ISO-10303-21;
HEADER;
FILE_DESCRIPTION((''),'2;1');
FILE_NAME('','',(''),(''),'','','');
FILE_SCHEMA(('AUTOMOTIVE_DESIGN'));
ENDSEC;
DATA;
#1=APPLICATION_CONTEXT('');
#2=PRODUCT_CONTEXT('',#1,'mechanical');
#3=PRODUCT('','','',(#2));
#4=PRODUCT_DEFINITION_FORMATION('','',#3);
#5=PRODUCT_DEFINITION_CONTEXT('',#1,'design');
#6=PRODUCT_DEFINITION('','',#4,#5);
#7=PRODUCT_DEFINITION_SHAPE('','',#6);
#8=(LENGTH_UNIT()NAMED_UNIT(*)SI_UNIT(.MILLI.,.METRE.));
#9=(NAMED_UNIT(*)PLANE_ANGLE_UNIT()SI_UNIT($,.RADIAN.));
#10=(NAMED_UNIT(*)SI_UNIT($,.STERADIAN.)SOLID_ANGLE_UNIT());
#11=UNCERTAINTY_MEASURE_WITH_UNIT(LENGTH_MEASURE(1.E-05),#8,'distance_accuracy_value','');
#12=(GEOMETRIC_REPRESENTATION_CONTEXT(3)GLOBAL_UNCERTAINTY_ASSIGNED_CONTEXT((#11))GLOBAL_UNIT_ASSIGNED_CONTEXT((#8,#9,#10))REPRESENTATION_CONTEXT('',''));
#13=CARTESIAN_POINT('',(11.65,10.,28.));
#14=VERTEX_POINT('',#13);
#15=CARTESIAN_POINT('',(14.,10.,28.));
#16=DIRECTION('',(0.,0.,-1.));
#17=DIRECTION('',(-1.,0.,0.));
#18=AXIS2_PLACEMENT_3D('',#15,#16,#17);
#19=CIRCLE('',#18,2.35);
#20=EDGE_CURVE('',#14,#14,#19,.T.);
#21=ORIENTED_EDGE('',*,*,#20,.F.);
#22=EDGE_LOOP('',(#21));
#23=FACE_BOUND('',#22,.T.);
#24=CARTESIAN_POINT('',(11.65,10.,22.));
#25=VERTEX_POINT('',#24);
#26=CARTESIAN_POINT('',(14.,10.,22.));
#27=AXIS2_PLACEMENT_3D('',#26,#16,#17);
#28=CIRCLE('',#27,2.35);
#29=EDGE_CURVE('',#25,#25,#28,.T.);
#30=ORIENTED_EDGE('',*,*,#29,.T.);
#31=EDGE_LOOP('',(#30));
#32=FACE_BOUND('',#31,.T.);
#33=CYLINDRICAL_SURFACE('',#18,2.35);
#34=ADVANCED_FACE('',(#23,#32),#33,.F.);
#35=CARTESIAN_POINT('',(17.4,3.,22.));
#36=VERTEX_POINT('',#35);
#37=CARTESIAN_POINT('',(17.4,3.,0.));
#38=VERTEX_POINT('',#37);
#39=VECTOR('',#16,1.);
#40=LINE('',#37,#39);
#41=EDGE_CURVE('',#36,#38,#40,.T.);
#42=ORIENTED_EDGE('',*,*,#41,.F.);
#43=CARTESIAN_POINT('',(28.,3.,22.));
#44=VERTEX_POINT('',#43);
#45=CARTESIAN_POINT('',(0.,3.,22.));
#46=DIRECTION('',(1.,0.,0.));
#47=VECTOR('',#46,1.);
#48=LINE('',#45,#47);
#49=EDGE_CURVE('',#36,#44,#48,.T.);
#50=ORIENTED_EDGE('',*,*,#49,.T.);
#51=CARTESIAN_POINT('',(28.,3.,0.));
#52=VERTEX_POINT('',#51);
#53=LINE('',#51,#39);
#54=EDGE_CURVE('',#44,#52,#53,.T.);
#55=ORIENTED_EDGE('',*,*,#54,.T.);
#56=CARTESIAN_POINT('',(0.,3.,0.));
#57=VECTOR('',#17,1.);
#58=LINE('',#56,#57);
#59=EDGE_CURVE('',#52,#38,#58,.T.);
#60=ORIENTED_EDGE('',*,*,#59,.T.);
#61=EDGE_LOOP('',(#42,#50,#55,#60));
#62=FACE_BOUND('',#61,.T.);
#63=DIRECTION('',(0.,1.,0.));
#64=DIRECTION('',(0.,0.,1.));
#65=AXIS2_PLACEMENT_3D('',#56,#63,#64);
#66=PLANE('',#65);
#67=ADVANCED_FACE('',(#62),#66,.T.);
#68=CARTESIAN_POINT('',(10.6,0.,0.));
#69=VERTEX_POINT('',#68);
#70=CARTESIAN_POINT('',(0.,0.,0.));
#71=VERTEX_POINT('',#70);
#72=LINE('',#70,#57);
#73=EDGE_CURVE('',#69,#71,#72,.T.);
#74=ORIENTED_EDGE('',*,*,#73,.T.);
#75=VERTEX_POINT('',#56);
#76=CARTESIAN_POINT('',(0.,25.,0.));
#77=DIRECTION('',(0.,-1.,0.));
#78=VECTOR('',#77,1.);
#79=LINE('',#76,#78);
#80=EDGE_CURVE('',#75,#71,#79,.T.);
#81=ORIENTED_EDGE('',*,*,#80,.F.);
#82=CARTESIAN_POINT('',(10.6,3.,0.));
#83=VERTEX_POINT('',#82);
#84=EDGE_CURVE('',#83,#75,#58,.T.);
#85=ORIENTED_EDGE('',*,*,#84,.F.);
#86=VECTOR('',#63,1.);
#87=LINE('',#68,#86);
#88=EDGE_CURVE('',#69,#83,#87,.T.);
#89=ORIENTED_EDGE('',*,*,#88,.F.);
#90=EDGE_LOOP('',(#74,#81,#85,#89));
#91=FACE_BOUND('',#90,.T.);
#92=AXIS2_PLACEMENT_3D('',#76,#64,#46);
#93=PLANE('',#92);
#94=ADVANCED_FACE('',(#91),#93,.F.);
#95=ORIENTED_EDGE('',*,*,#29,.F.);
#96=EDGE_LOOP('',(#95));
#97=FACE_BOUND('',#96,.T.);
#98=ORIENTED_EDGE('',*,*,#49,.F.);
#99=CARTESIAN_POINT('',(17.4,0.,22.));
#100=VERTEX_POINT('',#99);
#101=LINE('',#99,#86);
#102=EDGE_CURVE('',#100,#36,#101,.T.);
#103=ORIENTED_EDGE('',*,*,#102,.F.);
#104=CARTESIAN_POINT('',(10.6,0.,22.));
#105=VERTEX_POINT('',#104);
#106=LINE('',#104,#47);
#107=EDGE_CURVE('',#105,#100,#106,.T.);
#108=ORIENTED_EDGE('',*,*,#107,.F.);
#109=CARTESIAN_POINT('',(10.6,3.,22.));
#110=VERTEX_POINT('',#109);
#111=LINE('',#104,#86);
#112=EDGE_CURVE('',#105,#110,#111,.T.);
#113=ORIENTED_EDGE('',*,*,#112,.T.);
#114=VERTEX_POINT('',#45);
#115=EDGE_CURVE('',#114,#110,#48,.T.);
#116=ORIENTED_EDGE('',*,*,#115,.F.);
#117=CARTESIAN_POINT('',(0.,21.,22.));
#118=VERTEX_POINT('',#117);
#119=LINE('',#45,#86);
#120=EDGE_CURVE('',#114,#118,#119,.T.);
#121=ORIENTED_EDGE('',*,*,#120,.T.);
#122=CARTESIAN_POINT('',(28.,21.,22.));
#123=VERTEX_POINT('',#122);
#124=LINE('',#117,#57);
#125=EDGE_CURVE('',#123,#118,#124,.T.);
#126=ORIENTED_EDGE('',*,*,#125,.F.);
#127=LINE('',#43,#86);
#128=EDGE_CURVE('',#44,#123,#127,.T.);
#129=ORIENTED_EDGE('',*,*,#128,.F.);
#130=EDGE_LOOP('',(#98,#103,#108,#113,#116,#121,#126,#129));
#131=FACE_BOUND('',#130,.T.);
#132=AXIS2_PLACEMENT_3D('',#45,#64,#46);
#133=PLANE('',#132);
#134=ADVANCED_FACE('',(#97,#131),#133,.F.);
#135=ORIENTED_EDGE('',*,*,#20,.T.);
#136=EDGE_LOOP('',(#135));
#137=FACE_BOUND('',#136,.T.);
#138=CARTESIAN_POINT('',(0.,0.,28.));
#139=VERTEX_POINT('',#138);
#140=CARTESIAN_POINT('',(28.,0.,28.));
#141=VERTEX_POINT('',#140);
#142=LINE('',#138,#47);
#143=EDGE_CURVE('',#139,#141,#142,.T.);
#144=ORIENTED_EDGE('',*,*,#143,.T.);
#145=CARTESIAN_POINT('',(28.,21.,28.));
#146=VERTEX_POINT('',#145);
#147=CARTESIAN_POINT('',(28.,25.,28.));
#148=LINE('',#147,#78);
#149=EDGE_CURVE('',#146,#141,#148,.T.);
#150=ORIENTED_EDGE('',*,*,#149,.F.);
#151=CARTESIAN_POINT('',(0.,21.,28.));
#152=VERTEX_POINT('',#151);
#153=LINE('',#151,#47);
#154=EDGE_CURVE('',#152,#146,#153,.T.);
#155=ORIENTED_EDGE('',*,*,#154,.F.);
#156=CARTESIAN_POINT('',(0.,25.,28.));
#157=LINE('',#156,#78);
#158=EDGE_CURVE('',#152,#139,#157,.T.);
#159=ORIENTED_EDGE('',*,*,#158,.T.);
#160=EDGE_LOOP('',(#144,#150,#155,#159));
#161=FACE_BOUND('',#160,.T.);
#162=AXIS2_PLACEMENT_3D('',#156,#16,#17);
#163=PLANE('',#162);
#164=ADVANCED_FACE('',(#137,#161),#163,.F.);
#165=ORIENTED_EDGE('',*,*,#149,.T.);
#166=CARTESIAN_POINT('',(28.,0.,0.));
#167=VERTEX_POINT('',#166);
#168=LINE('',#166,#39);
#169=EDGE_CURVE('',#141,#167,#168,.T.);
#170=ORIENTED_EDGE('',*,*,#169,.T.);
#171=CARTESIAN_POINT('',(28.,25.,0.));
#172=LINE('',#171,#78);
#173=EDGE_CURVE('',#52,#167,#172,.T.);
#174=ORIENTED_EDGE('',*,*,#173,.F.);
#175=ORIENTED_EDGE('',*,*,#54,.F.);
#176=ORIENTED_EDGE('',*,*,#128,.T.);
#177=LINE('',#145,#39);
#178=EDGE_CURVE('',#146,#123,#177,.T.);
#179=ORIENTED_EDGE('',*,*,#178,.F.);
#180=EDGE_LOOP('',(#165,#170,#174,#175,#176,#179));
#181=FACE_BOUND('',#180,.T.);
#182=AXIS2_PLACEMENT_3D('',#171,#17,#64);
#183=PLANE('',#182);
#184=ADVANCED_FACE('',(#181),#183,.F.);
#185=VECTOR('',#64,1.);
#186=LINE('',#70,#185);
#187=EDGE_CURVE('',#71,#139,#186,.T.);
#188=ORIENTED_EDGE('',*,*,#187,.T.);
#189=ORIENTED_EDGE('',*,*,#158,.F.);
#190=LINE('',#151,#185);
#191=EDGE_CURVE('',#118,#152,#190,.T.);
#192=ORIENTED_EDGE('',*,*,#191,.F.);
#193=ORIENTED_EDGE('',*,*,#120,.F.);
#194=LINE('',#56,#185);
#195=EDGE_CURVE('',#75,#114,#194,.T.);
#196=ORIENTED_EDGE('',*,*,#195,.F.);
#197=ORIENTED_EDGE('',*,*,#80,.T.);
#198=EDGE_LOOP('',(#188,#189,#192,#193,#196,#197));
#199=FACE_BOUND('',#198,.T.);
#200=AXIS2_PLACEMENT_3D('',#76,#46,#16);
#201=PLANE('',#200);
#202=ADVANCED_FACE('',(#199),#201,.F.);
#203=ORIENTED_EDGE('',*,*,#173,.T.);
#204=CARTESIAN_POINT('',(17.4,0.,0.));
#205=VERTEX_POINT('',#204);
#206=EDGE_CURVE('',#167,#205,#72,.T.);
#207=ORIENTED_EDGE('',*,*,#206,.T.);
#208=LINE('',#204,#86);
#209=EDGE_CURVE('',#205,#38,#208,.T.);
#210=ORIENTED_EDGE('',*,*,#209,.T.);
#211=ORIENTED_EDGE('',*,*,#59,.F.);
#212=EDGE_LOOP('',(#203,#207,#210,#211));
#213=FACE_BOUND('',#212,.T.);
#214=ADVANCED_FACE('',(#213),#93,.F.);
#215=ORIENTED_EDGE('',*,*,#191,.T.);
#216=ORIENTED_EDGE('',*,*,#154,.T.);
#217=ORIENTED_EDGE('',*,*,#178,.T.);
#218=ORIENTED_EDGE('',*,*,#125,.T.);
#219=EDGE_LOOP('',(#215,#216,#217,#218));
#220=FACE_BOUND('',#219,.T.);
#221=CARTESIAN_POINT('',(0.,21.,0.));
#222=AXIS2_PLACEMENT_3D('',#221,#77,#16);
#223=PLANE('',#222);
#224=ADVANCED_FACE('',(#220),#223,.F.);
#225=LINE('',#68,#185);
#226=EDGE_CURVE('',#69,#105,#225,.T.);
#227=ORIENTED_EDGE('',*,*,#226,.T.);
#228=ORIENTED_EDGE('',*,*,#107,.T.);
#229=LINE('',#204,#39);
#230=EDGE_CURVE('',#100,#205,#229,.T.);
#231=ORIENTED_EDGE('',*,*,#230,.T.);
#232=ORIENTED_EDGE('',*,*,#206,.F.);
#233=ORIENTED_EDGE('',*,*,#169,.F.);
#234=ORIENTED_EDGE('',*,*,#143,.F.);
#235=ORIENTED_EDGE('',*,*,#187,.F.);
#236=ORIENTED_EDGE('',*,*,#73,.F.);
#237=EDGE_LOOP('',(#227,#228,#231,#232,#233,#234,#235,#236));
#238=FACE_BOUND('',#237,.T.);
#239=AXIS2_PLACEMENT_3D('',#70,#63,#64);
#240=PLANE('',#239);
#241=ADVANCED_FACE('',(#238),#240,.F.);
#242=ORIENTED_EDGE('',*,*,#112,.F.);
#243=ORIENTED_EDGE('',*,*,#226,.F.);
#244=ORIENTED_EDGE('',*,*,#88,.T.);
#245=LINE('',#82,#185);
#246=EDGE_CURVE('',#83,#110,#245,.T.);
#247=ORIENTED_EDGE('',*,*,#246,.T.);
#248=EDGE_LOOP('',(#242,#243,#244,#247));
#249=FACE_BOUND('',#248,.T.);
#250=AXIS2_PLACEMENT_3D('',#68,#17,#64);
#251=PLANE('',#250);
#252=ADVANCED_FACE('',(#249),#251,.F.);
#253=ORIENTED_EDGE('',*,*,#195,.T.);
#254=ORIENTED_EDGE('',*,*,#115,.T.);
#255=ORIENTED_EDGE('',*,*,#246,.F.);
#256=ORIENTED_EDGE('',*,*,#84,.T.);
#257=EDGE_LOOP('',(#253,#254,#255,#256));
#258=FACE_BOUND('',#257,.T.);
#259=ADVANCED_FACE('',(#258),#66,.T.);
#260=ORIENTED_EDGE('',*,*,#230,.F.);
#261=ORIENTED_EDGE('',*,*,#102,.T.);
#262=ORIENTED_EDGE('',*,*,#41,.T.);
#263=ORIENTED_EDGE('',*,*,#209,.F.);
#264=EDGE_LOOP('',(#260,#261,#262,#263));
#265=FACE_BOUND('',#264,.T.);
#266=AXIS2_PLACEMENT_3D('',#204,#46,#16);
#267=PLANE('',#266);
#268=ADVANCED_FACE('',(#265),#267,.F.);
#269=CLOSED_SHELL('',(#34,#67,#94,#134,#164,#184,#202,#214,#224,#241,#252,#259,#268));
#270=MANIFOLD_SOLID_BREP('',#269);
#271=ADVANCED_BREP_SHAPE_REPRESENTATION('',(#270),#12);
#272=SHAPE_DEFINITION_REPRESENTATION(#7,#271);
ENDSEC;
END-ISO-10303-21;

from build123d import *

# Parameters (mm, degrees)
SKETCH1_W           = 28
SKETCH1_H           = 28
BOSS_EXTRUDE1_DEPTH = 25
SKETCH2_W           = 28
SKETCH2_H           = 22
CUT_EXTRUDE1_DEPTH  = 22
SKETCH3_W           = 6.8
SKETCH3_H           = 22
CUT_EXTRUDE2_DEPTH  = 46.299006612
SKETCH4_R           = 2.35
CUT_EXTRUDE3_DEPTH  = 44.508619836
SKETCH5_W           = 28
SKETCH5_H           = 6
CUT_EXTRUDE4_DEPTH  = 4


with BuildPart() as part:
    # Sketch1 → Boss-Extrude1 (new body)
    with BuildSketch(Plane(origin=(0, 0, 0), x_dir=(1, 0, 0), z_dir=(0, 1, 0))):
        with Locations((14, -14)):
            Rectangle(SKETCH1_W, SKETCH1_H)
    extrude(amount=BOSS_EXTRUDE1_DEPTH)

    # Sketch2 → Cut-Extrude1 (cut)
    with BuildSketch(Plane(origin=(0, 25, 0), x_dir=(1, 0, 0), z_dir=(0, 1, 0))):
        with Locations((14, -11)):
            Rectangle(SKETCH2_W, SKETCH2_H)
    extrude(amount=-CUT_EXTRUDE1_DEPTH, mode=Mode.SUBTRACT)

    # Sketch3 → Cut-Extrude2 (cut, through all)
    with BuildSketch(Plane(origin=(0, 3, 0), x_dir=(1, 0, 0), z_dir=(0, 1, 0))):
        with Locations((14, -11)):
            Rectangle(SKETCH3_W, SKETCH3_H)
    extrude(amount=-CUT_EXTRUDE2_DEPTH, mode=Mode.SUBTRACT)

    # Sketch4 → Cut-Extrude3 (cut, through all)
    with BuildSketch(Plane(origin=(0, 0, 22), x_dir=(-1, 0, 0), z_dir=(0, 0, -1))):
        with Locations((-14, 10)):
            Circle(SKETCH4_R)
    extrude(amount=-CUT_EXTRUDE3_DEPTH, mode=Mode.SUBTRACT)

    # Sketch5 → Cut-Extrude4 (cut)
    with BuildSketch(Plane(origin=(0, 25, 0), x_dir=(1, 0, 0), z_dir=(0, 1, 0))):
        with Locations((14, -25)):
            Rectangle(SKETCH5_W, SKETCH5_H)
    extrude(amount=-CUT_EXTRUDE4_DEPTH, mode=Mode.SUBTRACT)


solid = part.part
